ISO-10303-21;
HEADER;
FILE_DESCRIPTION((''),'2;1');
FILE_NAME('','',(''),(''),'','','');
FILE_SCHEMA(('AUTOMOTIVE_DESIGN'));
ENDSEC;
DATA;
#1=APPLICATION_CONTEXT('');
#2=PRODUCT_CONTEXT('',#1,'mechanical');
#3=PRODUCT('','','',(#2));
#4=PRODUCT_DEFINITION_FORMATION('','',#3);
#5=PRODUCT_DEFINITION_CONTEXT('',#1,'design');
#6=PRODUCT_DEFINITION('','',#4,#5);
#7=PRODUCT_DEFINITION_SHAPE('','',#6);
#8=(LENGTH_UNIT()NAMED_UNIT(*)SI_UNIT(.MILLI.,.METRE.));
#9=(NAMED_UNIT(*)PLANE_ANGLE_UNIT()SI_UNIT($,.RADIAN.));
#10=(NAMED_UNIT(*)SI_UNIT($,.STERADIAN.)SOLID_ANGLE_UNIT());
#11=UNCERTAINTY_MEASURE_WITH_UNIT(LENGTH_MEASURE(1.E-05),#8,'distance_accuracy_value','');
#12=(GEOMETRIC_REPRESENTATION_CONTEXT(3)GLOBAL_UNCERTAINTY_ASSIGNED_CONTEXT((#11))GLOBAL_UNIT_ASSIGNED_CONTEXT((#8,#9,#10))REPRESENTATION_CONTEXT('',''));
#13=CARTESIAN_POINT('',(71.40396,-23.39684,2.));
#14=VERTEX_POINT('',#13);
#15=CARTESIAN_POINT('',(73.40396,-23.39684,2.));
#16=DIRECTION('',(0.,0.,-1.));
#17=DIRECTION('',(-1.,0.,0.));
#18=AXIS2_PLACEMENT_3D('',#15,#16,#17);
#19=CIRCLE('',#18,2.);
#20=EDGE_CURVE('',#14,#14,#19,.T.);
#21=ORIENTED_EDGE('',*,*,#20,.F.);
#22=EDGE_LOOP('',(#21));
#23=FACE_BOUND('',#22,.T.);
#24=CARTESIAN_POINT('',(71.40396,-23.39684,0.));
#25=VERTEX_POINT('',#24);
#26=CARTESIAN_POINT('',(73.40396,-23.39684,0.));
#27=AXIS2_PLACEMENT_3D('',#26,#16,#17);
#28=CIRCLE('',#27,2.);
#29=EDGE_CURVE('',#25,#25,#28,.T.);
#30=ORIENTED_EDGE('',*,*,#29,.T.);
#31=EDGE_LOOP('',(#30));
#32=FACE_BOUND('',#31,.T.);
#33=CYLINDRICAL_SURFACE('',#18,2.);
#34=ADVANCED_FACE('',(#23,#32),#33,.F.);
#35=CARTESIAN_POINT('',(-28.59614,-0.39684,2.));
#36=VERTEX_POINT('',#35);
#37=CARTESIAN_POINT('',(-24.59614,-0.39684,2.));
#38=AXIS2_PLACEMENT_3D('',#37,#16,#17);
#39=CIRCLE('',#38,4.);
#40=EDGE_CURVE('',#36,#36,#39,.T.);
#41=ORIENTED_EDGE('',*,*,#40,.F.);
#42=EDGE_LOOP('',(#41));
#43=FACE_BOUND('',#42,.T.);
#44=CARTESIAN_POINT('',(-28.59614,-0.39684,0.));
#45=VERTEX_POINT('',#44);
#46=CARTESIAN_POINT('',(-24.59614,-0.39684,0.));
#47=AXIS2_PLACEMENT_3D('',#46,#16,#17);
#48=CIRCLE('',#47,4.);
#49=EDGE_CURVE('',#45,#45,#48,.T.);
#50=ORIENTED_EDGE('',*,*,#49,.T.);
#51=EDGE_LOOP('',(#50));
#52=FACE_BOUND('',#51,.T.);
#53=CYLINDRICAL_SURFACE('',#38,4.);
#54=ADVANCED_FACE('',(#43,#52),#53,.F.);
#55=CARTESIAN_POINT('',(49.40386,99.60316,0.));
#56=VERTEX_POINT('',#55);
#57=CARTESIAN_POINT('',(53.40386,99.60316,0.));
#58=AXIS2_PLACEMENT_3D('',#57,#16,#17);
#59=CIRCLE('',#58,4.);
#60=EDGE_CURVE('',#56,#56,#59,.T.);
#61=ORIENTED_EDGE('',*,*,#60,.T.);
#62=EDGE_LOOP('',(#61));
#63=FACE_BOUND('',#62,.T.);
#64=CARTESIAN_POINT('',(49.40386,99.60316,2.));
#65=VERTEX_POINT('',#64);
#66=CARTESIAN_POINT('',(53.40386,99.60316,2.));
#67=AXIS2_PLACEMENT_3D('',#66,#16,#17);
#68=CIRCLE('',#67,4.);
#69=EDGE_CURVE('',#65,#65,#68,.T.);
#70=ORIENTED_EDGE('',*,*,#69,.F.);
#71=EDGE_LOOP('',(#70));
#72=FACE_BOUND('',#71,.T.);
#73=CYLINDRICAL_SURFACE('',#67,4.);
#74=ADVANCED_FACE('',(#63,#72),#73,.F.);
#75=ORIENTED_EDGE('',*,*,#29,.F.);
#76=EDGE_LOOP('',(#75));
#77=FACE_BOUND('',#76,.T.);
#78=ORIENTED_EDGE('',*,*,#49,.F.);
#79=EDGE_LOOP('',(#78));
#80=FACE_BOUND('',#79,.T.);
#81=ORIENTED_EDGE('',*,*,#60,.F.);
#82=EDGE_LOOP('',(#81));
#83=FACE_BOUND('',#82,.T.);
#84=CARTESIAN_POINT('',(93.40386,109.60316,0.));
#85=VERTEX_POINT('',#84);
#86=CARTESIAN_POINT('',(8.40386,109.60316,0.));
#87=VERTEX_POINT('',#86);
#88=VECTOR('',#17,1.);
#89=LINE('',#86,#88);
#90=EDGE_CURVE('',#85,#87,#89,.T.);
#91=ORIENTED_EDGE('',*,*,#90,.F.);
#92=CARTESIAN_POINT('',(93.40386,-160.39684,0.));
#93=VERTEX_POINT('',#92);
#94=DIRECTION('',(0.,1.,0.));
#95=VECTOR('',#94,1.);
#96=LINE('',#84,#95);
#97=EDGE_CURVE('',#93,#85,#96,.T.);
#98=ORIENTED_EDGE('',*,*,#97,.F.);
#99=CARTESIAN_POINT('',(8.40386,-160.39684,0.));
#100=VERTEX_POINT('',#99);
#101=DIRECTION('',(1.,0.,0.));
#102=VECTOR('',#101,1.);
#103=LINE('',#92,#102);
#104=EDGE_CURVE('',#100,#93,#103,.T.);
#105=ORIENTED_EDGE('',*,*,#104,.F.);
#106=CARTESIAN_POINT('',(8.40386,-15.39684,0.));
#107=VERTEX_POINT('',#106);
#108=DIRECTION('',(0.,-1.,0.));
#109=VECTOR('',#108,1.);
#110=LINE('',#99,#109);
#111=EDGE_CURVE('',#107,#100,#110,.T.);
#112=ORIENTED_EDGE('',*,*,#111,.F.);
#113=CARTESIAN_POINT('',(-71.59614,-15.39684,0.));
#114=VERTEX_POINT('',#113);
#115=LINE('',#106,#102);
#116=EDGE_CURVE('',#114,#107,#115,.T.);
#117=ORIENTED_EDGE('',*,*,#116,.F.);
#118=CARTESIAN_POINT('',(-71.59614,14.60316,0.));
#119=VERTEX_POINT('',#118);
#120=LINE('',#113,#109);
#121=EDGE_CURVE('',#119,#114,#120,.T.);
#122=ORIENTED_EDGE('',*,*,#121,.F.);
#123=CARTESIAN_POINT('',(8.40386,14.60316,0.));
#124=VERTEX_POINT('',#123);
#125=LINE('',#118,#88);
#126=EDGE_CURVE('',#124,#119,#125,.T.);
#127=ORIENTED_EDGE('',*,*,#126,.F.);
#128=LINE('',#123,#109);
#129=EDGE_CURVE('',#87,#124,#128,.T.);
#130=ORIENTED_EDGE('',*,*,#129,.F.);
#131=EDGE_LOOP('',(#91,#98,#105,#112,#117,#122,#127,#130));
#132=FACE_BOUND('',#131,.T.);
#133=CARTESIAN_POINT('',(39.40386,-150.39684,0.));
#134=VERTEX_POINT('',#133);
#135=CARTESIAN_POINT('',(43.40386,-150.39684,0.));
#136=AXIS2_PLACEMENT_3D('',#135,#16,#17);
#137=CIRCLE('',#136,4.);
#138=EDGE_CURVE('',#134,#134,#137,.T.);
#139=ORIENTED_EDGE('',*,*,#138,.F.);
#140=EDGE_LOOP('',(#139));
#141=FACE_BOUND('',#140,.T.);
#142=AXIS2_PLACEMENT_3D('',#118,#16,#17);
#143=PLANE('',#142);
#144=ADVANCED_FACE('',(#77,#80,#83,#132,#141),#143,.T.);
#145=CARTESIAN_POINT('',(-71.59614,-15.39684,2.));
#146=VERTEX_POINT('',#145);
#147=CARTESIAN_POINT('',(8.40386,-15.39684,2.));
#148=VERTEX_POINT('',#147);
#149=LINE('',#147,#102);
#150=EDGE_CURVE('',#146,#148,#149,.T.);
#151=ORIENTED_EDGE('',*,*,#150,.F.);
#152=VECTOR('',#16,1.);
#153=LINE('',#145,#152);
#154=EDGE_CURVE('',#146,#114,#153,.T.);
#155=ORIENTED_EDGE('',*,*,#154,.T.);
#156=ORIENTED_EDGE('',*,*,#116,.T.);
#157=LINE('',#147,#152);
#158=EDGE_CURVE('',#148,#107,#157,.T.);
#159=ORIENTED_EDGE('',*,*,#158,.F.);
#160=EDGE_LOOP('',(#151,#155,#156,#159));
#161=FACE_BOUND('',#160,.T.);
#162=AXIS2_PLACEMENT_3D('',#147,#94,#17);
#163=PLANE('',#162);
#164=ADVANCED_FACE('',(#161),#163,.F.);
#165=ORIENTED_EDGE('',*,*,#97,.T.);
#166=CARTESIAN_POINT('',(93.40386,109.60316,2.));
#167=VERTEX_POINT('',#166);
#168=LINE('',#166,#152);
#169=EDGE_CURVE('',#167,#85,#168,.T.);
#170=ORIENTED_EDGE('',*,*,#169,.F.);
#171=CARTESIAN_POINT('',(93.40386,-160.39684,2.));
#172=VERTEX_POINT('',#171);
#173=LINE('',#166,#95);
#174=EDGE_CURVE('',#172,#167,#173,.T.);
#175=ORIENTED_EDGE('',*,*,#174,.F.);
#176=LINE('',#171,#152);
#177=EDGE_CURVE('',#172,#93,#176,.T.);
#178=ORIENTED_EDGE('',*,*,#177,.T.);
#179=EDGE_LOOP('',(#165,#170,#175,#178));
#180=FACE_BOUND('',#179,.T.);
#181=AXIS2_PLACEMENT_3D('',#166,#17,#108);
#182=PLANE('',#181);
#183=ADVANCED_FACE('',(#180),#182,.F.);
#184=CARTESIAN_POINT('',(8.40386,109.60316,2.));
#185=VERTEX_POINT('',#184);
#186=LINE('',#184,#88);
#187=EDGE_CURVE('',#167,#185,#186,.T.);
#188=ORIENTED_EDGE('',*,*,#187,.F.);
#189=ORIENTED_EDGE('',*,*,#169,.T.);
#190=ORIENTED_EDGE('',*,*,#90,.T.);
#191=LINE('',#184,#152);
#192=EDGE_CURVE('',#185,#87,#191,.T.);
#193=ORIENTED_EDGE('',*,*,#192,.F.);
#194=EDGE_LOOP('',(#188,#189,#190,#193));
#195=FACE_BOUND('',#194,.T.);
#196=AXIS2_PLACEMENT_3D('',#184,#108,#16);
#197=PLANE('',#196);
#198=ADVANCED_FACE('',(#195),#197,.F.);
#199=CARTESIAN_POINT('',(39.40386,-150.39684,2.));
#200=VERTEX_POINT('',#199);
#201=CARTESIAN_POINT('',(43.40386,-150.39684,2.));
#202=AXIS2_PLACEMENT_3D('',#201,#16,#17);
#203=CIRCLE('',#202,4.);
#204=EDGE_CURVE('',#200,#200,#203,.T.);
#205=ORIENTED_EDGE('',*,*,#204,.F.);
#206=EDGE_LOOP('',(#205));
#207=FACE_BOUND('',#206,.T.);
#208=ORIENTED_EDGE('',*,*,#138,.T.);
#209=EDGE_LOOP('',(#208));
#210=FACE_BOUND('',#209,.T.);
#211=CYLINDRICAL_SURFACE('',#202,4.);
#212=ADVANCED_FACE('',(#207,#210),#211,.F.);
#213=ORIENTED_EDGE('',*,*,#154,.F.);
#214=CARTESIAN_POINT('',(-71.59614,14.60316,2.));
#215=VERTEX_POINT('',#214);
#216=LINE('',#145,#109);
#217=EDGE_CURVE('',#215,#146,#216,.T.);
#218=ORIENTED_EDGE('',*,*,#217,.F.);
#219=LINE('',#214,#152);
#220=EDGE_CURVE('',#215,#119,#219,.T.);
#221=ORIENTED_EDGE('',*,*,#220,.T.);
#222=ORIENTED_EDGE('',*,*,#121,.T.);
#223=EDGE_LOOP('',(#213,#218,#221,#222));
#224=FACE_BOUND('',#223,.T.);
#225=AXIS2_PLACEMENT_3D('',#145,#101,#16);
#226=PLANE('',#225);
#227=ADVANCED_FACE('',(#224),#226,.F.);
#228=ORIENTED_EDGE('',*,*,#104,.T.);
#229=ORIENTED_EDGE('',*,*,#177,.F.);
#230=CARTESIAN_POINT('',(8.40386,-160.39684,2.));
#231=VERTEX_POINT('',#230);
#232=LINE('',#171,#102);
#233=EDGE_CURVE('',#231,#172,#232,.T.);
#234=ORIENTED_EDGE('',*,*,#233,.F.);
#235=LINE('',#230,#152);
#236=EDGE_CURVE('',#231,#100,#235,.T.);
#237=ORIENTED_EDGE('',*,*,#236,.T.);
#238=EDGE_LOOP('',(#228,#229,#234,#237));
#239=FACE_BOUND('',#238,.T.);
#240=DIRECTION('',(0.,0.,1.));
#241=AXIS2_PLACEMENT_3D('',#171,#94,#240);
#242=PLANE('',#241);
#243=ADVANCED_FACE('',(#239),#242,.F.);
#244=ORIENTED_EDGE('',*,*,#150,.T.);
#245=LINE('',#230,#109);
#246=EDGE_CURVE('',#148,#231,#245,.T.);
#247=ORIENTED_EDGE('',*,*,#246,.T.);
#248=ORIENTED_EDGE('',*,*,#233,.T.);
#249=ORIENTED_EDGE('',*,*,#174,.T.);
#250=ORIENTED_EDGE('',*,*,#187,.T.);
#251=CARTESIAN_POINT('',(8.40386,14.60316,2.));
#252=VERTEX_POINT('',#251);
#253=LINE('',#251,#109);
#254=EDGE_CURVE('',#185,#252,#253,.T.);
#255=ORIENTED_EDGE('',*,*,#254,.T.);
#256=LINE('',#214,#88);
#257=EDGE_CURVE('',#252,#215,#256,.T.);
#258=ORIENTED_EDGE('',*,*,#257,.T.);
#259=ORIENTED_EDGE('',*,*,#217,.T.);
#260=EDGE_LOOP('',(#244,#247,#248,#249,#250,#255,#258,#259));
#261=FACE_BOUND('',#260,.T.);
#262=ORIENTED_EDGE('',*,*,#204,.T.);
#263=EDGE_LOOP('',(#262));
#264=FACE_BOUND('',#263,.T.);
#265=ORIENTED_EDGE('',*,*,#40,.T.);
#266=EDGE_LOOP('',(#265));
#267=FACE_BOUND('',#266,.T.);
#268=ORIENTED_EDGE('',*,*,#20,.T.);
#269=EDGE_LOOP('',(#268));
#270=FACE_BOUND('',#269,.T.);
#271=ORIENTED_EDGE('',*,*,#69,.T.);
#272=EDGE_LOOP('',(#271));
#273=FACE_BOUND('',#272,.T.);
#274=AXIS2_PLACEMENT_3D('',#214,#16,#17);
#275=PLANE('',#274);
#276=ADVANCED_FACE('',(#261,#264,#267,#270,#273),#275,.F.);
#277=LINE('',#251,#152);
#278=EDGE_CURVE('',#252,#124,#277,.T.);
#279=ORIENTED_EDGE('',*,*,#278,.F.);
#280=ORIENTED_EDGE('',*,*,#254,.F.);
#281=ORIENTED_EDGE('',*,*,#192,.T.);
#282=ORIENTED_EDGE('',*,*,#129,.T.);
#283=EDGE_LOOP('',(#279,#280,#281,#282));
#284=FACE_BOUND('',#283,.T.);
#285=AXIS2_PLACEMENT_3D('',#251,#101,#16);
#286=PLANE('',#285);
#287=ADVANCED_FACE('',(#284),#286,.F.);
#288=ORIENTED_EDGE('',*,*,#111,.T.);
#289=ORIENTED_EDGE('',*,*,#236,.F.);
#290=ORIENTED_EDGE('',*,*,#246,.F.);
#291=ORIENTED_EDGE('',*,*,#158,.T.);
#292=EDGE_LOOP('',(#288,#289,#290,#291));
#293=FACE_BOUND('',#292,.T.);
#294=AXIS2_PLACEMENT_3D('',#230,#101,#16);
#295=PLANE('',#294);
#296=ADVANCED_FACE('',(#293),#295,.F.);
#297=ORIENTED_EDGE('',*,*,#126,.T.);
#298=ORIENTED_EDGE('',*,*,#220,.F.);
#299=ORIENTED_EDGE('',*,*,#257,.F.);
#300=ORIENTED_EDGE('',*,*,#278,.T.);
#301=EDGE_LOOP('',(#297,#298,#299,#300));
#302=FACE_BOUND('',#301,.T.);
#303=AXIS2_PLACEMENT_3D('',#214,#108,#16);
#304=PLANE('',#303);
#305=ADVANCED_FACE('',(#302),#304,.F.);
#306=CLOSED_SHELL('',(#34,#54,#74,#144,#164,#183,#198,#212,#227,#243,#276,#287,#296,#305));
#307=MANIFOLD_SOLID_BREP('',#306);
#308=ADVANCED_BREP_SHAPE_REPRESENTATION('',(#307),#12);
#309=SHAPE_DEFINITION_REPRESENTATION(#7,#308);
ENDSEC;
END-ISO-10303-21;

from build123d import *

# Parameters (mm, degrees)
EXTRUDE2_DEPTH     = 2
SKETCH3_R          = 4
SKETCH3_R_2        = 2
CUT_EXTRUDE1_DEPTH = 2


with BuildPart() as part:
    # Sketch2 → Extrude2 (new body)
    with BuildSketch(Plane.XY):
        Polygon((-71.596139955, 14.603160243), (8.403860045, 14.603160243), (8.403860045, 109.603160243), (93.403860045, 109.603160243), (93.403860045, -160.396839757), (8.403860045, -160.396839757), (8.403860045, -15.396839757), (-71.596139955, -15.396839757), align=None)
    extrude(amount=EXTRUDE2_DEPTH)

    # Sketch3 → Cut-Extrude1 (cut)
    with BuildSketch(Plane(origin=(0, 0, 0), x_dir=(-1, 0, 0), z_dir=(0, 0, -1))):
        with Locations((-53.403860045, 99.603160243)):
            Circle(SKETCH3_R)
        with Locations((24.596139955, -0.396839757)):
            Circle(SKETCH3_R)
        with Locations((-73.403960045, -23.396839757)):
            Circle(SKETCH3_R_2)
        with Locations((-43.403860045, -150.396839757)):
            Circle(SKETCH3_R)
    extrude(amount=-CUT_EXTRUDE1_DEPTH, mode=Mode.SUBTRACT)


solid = part.part
